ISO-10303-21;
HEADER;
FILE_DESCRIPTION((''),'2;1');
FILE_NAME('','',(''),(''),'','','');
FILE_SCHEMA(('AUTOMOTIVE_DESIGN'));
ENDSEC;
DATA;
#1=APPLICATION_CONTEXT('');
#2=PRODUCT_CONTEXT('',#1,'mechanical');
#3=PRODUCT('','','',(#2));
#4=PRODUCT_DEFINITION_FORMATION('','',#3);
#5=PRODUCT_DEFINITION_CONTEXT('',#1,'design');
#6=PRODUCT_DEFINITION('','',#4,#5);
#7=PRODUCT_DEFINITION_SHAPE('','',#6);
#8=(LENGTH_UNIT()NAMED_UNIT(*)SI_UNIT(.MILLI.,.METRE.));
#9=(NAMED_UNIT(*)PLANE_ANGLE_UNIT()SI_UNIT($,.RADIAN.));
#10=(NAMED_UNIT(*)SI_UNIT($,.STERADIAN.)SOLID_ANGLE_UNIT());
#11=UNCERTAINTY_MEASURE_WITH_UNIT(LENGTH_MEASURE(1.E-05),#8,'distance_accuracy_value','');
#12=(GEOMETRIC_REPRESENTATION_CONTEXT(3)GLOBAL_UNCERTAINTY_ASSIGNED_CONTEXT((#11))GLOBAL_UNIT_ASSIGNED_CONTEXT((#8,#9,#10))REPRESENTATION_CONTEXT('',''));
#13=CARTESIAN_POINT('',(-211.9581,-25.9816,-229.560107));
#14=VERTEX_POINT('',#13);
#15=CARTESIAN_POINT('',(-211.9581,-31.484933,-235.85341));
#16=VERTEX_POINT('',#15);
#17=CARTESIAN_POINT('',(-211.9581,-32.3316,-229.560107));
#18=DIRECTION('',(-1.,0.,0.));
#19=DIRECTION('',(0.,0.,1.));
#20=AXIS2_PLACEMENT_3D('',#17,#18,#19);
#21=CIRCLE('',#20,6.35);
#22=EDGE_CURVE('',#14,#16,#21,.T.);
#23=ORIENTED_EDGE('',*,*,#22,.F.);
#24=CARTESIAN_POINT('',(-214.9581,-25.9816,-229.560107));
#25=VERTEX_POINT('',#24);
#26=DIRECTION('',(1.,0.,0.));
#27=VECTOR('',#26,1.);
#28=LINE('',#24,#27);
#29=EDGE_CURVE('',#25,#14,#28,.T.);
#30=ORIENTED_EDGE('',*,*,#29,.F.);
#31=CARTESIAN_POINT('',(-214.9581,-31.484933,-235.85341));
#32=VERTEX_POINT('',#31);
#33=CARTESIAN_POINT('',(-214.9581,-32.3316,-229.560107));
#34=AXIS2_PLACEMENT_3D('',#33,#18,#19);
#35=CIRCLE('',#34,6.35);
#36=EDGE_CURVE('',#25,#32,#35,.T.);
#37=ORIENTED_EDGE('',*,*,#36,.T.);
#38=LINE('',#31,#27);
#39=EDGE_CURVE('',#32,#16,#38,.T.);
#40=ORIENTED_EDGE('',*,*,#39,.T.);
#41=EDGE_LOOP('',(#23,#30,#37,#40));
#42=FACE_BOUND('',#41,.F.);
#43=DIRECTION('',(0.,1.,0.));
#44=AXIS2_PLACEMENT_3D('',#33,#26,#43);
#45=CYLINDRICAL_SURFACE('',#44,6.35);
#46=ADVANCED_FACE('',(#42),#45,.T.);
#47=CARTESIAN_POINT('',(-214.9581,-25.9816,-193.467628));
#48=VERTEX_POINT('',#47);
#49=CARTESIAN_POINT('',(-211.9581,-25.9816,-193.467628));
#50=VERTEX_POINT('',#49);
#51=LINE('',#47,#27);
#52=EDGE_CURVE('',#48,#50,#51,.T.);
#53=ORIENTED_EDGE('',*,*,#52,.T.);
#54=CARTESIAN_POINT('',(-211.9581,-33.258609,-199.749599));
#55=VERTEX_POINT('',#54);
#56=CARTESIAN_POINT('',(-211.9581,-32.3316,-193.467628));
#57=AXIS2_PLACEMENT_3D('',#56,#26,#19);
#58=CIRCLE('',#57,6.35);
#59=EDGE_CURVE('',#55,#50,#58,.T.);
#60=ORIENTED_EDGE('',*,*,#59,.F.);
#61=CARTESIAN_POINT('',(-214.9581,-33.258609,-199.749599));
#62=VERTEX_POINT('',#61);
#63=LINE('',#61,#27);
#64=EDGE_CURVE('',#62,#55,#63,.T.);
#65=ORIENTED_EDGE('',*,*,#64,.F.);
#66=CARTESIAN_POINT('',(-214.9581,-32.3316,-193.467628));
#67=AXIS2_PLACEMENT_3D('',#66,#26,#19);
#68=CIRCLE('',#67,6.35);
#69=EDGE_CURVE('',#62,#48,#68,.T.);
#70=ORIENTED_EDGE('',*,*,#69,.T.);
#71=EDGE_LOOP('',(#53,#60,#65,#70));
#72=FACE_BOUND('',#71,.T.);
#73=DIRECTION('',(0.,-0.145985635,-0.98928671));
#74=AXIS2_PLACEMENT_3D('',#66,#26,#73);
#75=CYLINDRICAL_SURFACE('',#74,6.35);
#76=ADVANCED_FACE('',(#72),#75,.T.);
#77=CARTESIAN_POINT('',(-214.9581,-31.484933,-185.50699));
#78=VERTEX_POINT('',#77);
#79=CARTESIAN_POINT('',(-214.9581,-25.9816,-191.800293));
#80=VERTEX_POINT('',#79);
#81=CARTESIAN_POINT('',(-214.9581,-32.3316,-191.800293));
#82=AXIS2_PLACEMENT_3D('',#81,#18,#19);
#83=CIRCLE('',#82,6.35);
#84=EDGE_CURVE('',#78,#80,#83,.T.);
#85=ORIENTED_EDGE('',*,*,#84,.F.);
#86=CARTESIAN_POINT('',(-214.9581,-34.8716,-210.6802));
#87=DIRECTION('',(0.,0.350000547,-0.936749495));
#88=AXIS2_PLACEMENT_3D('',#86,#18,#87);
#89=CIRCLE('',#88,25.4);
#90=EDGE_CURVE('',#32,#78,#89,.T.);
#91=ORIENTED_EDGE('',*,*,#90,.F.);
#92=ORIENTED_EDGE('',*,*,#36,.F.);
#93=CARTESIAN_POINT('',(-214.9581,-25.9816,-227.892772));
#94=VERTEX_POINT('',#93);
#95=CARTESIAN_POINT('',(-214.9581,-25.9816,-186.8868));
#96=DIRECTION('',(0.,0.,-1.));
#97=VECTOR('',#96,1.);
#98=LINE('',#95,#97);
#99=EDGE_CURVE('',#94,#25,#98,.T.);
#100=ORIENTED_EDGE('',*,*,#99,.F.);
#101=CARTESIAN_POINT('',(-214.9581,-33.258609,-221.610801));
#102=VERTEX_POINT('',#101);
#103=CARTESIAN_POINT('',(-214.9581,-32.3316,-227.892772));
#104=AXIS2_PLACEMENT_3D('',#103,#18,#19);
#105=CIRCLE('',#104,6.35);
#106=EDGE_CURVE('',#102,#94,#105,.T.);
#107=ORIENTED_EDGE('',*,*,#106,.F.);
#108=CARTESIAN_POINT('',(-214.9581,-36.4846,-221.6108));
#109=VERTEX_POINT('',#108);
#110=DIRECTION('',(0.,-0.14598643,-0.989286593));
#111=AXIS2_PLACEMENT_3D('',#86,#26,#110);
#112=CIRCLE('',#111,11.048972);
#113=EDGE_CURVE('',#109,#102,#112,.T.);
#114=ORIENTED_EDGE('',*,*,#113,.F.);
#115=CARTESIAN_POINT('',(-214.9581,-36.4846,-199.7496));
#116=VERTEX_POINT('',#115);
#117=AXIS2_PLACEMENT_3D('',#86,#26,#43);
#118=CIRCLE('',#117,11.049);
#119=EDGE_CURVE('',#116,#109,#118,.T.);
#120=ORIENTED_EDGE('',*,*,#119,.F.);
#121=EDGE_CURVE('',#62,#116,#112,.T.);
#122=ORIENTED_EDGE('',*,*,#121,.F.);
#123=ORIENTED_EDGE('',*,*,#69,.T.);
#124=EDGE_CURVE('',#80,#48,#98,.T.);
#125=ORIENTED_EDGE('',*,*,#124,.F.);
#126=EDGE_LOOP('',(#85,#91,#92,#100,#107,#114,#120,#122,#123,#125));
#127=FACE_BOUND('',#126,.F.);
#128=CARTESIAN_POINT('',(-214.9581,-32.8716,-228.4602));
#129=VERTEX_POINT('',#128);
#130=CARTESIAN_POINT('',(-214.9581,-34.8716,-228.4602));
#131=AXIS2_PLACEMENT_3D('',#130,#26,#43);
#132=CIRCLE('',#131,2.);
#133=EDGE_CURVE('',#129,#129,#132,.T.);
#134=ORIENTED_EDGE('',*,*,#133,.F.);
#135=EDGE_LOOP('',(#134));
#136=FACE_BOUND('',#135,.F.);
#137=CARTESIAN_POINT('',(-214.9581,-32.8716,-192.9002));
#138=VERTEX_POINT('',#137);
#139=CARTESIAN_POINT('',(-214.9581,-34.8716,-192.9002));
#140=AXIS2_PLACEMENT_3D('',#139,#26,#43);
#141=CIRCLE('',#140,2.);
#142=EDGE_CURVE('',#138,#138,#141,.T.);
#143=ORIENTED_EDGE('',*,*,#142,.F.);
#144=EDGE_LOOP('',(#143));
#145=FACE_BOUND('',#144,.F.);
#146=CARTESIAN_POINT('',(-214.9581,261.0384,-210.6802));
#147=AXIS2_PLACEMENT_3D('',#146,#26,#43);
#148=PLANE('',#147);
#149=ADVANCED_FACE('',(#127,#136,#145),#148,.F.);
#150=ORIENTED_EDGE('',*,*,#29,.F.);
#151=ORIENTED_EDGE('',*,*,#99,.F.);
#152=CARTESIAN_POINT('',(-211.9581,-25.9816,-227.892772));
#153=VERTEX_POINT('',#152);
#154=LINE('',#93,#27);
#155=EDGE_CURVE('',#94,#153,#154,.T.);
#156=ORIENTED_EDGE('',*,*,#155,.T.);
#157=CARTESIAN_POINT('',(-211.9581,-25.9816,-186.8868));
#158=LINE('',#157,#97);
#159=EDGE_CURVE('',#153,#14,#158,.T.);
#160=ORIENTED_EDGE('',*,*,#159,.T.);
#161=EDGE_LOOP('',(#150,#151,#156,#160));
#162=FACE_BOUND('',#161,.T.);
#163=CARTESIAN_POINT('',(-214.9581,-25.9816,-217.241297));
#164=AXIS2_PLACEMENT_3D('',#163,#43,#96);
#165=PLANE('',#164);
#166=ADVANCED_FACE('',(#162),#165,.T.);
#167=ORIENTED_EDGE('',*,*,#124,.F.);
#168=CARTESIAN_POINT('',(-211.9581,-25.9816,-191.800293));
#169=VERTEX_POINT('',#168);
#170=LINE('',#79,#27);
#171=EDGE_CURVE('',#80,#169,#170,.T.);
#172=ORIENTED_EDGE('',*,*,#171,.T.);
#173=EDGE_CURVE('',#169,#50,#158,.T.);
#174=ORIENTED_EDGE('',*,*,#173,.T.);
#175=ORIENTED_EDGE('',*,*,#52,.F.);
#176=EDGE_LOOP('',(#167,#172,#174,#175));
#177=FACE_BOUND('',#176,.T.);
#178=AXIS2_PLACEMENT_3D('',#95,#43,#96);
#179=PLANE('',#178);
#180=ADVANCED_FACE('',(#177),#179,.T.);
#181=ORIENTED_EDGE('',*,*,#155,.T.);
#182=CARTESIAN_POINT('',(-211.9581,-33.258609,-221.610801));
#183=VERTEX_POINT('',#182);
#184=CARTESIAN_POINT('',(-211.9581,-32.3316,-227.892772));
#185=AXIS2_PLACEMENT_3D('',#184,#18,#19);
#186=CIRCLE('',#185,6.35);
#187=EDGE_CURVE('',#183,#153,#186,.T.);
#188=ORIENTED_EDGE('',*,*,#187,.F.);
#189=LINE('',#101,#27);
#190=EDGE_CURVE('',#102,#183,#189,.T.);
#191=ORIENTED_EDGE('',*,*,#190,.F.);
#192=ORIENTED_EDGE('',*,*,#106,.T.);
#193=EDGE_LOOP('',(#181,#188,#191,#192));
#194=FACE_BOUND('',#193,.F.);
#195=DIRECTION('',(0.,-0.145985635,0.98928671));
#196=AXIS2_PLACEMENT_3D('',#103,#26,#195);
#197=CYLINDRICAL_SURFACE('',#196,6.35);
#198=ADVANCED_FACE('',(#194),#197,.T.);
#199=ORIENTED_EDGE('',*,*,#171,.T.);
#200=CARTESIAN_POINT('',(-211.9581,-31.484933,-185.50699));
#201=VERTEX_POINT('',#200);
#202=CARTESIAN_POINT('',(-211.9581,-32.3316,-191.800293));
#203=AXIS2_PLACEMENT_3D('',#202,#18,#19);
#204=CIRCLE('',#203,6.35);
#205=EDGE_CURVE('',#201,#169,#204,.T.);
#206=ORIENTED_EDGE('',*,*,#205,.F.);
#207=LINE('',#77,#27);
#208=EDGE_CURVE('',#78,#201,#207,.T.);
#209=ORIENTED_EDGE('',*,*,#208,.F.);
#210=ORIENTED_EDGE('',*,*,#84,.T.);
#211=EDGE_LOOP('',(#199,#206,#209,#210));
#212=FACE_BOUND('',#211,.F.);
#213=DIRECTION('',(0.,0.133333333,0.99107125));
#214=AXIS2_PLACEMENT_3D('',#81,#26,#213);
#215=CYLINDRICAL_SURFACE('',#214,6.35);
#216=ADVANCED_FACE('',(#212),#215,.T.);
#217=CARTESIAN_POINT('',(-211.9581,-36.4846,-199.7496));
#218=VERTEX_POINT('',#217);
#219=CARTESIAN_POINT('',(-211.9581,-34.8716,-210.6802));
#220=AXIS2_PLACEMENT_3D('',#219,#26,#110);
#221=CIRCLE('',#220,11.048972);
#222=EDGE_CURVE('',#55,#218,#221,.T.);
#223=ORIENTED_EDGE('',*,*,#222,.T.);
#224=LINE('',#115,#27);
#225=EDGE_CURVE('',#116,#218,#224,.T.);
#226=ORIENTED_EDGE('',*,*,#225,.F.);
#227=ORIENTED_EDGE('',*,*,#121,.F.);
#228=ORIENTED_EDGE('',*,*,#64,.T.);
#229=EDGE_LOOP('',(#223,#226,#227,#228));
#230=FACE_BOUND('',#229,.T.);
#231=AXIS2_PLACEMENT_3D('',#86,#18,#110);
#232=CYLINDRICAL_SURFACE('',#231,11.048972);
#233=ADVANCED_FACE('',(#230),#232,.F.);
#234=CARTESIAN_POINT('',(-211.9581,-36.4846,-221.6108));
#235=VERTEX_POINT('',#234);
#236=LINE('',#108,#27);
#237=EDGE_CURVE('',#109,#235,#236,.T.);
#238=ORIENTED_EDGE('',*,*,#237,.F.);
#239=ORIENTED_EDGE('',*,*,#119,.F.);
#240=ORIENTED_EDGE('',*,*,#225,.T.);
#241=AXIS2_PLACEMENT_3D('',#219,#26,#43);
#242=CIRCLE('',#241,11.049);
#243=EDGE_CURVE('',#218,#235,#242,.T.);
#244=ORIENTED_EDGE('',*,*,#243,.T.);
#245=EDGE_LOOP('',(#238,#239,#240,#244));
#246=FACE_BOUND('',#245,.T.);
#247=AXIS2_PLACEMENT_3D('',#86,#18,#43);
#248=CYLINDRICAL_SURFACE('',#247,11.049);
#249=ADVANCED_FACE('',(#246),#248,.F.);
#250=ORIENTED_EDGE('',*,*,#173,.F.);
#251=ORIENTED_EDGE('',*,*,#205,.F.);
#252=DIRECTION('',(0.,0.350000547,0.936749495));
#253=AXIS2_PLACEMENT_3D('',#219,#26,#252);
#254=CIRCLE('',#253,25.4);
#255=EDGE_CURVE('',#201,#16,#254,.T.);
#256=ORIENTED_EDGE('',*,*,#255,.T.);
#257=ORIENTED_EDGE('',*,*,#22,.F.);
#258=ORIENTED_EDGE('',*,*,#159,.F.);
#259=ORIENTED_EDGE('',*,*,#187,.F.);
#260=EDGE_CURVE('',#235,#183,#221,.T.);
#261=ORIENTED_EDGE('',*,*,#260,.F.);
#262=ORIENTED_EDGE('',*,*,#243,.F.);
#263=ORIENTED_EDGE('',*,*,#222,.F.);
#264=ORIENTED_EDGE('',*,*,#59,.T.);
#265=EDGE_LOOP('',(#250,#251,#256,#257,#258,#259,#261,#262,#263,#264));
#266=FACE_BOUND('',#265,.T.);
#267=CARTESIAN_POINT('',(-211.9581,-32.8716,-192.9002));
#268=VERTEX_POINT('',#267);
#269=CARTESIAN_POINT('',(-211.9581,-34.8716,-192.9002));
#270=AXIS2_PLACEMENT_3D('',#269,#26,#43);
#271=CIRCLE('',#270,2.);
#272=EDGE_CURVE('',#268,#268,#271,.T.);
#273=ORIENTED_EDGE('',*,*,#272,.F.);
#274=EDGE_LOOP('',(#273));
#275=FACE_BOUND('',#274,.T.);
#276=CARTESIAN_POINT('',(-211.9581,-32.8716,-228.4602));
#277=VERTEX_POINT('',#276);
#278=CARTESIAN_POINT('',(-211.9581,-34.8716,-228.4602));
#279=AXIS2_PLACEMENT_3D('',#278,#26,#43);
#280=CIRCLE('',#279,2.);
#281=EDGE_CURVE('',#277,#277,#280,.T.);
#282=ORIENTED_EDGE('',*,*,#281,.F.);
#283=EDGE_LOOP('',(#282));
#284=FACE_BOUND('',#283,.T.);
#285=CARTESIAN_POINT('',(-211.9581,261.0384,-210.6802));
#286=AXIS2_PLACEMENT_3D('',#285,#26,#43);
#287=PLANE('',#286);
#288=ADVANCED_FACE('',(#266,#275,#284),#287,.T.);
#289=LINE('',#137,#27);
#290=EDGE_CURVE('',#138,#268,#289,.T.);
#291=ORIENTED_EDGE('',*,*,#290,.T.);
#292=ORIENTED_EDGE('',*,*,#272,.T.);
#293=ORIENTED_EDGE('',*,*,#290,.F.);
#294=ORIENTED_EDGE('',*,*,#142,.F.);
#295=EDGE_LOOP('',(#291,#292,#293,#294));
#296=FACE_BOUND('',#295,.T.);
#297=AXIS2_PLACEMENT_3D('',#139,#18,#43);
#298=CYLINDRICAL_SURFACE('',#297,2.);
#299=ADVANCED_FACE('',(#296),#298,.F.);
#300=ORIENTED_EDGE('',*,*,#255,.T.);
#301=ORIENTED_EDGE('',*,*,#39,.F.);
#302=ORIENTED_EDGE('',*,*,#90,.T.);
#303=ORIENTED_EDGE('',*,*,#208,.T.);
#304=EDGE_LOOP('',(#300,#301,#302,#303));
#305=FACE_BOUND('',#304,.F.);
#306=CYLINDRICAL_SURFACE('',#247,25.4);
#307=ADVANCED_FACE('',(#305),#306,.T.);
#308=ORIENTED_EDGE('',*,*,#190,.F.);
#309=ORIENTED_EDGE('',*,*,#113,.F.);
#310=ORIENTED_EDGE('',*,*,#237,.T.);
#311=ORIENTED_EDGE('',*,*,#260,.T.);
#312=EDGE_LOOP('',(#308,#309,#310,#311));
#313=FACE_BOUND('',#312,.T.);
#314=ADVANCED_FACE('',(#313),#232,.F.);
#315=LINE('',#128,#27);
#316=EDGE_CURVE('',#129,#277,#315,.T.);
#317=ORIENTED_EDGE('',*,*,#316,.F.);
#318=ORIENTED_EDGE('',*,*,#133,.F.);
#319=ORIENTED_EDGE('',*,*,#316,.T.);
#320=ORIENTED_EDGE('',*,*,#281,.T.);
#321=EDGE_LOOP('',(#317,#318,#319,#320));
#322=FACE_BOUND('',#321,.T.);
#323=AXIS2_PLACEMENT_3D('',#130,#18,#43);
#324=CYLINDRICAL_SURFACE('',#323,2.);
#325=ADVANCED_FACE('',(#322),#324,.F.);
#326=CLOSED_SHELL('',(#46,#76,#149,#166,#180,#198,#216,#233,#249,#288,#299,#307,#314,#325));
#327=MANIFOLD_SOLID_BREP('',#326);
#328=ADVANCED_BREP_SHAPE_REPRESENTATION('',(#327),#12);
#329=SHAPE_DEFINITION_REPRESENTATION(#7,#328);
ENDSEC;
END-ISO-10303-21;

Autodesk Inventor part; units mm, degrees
ref_plane "YZ Plane" through (0, 0, 0) normal (1, 0, 0) x (0, 1, 0)
ref_plane "XZ Plane" through (0, 0, 0) normal (0, 1, 0) x (-1, 0, 0)
ref_plane "XY Plane" through (0, 0, 0) normal (0, 0, 1) x (1, 0, 0)
ref_plane "Work Plane1" through (-214.9581, 261.0384, -210.6802) normal (1, 0, 0) x (0, 1, 0)
sketch "Sketch1" plane through (-214.9581, 261.0384, -210.6802) normal (1, 0, 0) x (0, 1, 0)
  arc A0 (-304.8, -19.05) -> (-298.45, -25.4) centre (-298.45, -19.05) ccw projected
  line L0 (-298.45, -25.4) -> (304.8, -25.4) projected
  line L1 (304.8, -25.4) -> (304.8, 25.4) projected
  line L2 (304.8, 25.4) -> (-298.45, 25.4) projected
  arc A1 (-298.45, 25.4) -> (-304.8, 19.05) centre (-298.45, 19.05) ccw projected
  line L3 (-304.8, 19.05) -> (-304.8, 17.2126) projected
  arc A2 (-304.8, 17.2126) -> (-297.523, 10.9306) centre (-298.45, 17.2126) ccw projected
  arc A3 (-297.523, -10.9306) -> (-297.523, 10.9306) centre (-295.91, 0) ccw projected
  arc A4 (-297.523, -10.9306) -> (-304.8, -17.2126) centre (-298.45, -17.2126) ccw projected
  line L4 (-304.8, -17.2126) -> (-304.8, -19.05) projected
  circle A5 centre (-295.91, 17.78) radius 2 projected
  circle A6 centre (-295.91, -17.78) radius 2 projected
  circle A7 centre (292.1, 12.7) radius 2 projected
  circle A8 centre (292.1, -12.7) radius 2 projected
  circle A9 centre (266.7, 12.7) radius 2 projected
  circle A10 centre (266.7, -12.7) radius 2 projected
  circle A11 centre (-295.91, 0) radius 11.049
  circle A12 centre (-295.91, 0) radius 25.4
  line L5 (-287.02, 23.7934) -> (-287.02, -23.7934)
  point P0 (-261.0384, 210.6802)
  point P1 (-287.02, 6.5611)
  point P2 (-287.02, -6.5611)
  point P3 (-297.523, -10.9306)
  dimension "d0" = 17.78
extrude "Extrusion1" add sketch "Sketch1" along normal blind 3 contours L4 A4 A3 L5 A12 A0 | A0 A12 A1 L3 A2 A11 A4 L4 | A12 L5 A3 A2 L3 A1
fillet "Fillet1" radius 6.35 4 edges at (-213.4581, -25.9816, -186.8868) (-213.4581, -25.9816, -217.2413) (-213.4581, -25.9816, -204.1191) (-213.4581, -25.9816, -234.4736)
properties part number "DropBarJoint"
